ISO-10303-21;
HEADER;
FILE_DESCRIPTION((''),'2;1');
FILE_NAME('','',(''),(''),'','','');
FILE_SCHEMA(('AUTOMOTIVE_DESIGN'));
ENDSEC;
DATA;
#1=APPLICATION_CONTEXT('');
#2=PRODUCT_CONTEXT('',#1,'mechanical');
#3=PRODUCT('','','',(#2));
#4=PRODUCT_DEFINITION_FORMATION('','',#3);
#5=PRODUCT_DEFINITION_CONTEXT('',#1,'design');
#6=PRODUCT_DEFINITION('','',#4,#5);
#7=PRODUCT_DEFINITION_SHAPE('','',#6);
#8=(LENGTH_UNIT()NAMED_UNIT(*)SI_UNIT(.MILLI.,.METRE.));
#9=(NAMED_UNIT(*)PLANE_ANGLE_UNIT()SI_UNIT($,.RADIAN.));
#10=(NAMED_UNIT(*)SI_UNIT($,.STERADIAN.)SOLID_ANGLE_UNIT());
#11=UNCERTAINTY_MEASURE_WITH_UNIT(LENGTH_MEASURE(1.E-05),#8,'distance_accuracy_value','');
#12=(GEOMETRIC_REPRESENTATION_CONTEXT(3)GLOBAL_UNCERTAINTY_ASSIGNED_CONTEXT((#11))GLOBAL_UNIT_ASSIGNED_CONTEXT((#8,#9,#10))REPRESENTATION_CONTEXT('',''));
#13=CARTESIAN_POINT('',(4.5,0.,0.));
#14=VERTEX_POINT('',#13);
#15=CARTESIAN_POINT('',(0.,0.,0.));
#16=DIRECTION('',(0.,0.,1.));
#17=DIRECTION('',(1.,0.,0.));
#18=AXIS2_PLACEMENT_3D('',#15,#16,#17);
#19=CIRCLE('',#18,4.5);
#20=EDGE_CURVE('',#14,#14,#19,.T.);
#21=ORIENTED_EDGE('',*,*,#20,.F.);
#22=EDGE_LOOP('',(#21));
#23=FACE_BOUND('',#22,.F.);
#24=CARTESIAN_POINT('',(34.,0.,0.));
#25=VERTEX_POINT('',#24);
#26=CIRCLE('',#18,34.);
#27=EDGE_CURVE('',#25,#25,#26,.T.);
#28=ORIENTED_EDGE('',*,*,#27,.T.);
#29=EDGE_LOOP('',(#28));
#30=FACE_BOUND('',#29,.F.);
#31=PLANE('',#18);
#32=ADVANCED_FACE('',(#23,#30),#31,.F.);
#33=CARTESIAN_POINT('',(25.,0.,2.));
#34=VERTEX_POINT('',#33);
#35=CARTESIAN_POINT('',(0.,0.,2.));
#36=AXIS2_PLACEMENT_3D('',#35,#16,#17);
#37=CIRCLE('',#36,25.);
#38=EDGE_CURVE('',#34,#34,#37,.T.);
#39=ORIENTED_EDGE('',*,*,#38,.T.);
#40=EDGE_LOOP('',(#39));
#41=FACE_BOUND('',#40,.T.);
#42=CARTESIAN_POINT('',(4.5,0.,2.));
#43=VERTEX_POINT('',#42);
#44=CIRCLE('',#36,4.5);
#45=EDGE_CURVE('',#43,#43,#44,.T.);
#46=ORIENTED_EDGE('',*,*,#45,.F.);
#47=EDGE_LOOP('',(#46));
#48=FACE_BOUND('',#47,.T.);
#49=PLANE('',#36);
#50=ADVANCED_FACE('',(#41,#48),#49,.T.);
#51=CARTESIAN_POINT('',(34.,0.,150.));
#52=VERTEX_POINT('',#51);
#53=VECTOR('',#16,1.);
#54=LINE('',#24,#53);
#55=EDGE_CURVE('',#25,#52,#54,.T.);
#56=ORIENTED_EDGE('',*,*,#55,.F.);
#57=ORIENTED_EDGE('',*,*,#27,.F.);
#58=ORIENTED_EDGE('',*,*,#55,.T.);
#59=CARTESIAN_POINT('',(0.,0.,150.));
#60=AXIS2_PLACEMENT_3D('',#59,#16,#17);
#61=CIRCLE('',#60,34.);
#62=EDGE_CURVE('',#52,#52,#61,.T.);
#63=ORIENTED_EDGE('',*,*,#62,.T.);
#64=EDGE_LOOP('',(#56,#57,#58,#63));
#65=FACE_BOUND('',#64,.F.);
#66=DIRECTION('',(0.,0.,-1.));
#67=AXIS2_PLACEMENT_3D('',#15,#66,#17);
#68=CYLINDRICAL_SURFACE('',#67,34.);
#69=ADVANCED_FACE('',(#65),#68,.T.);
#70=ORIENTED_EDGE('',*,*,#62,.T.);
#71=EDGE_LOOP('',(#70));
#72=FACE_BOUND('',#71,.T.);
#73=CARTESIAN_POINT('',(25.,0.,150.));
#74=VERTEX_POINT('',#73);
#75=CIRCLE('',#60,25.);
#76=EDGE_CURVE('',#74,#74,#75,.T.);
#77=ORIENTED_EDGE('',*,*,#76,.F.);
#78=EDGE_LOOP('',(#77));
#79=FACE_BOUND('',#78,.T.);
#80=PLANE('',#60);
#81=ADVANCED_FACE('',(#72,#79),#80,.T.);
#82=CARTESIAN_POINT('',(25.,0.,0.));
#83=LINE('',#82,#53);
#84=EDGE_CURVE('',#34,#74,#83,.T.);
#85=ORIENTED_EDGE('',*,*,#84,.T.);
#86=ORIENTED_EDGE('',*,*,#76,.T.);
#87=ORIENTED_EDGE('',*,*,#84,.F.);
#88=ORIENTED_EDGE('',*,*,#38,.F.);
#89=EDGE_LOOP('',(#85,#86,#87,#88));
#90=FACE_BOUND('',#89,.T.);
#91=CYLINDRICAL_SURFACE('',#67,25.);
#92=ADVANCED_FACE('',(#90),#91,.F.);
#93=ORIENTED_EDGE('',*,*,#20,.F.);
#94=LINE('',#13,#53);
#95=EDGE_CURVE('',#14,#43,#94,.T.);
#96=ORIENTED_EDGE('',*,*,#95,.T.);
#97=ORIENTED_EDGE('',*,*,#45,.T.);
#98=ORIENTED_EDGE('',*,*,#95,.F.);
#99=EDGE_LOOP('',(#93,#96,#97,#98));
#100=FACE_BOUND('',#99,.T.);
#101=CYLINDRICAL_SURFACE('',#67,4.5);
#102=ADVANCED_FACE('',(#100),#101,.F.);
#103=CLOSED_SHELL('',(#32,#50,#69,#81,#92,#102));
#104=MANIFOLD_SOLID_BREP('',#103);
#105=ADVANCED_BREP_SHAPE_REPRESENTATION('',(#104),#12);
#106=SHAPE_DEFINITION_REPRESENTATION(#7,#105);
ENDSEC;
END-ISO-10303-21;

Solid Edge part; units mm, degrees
sketch "Sketch1" plane through (0, 0, 0) normal (0, 0, 1) x (1, 0, 0)
  circle A0 centre (0, 0) radius 34
  circle A1 centre (0, 0) radius 25
extrude "Protrusion1" add sketch "Sketch1" along normal blind 150
sketch "Sketch2" plane through (0, 0, 0) normal (0, 0, 1) x (1, 0, 0)
  circle A0 centre (0, 0) radius 4.5
  circle A1 centre (0, 0) radius 25
extrude "ExtrudedProtrusion_3" add sketch "Sketch2" along normal blind 2
